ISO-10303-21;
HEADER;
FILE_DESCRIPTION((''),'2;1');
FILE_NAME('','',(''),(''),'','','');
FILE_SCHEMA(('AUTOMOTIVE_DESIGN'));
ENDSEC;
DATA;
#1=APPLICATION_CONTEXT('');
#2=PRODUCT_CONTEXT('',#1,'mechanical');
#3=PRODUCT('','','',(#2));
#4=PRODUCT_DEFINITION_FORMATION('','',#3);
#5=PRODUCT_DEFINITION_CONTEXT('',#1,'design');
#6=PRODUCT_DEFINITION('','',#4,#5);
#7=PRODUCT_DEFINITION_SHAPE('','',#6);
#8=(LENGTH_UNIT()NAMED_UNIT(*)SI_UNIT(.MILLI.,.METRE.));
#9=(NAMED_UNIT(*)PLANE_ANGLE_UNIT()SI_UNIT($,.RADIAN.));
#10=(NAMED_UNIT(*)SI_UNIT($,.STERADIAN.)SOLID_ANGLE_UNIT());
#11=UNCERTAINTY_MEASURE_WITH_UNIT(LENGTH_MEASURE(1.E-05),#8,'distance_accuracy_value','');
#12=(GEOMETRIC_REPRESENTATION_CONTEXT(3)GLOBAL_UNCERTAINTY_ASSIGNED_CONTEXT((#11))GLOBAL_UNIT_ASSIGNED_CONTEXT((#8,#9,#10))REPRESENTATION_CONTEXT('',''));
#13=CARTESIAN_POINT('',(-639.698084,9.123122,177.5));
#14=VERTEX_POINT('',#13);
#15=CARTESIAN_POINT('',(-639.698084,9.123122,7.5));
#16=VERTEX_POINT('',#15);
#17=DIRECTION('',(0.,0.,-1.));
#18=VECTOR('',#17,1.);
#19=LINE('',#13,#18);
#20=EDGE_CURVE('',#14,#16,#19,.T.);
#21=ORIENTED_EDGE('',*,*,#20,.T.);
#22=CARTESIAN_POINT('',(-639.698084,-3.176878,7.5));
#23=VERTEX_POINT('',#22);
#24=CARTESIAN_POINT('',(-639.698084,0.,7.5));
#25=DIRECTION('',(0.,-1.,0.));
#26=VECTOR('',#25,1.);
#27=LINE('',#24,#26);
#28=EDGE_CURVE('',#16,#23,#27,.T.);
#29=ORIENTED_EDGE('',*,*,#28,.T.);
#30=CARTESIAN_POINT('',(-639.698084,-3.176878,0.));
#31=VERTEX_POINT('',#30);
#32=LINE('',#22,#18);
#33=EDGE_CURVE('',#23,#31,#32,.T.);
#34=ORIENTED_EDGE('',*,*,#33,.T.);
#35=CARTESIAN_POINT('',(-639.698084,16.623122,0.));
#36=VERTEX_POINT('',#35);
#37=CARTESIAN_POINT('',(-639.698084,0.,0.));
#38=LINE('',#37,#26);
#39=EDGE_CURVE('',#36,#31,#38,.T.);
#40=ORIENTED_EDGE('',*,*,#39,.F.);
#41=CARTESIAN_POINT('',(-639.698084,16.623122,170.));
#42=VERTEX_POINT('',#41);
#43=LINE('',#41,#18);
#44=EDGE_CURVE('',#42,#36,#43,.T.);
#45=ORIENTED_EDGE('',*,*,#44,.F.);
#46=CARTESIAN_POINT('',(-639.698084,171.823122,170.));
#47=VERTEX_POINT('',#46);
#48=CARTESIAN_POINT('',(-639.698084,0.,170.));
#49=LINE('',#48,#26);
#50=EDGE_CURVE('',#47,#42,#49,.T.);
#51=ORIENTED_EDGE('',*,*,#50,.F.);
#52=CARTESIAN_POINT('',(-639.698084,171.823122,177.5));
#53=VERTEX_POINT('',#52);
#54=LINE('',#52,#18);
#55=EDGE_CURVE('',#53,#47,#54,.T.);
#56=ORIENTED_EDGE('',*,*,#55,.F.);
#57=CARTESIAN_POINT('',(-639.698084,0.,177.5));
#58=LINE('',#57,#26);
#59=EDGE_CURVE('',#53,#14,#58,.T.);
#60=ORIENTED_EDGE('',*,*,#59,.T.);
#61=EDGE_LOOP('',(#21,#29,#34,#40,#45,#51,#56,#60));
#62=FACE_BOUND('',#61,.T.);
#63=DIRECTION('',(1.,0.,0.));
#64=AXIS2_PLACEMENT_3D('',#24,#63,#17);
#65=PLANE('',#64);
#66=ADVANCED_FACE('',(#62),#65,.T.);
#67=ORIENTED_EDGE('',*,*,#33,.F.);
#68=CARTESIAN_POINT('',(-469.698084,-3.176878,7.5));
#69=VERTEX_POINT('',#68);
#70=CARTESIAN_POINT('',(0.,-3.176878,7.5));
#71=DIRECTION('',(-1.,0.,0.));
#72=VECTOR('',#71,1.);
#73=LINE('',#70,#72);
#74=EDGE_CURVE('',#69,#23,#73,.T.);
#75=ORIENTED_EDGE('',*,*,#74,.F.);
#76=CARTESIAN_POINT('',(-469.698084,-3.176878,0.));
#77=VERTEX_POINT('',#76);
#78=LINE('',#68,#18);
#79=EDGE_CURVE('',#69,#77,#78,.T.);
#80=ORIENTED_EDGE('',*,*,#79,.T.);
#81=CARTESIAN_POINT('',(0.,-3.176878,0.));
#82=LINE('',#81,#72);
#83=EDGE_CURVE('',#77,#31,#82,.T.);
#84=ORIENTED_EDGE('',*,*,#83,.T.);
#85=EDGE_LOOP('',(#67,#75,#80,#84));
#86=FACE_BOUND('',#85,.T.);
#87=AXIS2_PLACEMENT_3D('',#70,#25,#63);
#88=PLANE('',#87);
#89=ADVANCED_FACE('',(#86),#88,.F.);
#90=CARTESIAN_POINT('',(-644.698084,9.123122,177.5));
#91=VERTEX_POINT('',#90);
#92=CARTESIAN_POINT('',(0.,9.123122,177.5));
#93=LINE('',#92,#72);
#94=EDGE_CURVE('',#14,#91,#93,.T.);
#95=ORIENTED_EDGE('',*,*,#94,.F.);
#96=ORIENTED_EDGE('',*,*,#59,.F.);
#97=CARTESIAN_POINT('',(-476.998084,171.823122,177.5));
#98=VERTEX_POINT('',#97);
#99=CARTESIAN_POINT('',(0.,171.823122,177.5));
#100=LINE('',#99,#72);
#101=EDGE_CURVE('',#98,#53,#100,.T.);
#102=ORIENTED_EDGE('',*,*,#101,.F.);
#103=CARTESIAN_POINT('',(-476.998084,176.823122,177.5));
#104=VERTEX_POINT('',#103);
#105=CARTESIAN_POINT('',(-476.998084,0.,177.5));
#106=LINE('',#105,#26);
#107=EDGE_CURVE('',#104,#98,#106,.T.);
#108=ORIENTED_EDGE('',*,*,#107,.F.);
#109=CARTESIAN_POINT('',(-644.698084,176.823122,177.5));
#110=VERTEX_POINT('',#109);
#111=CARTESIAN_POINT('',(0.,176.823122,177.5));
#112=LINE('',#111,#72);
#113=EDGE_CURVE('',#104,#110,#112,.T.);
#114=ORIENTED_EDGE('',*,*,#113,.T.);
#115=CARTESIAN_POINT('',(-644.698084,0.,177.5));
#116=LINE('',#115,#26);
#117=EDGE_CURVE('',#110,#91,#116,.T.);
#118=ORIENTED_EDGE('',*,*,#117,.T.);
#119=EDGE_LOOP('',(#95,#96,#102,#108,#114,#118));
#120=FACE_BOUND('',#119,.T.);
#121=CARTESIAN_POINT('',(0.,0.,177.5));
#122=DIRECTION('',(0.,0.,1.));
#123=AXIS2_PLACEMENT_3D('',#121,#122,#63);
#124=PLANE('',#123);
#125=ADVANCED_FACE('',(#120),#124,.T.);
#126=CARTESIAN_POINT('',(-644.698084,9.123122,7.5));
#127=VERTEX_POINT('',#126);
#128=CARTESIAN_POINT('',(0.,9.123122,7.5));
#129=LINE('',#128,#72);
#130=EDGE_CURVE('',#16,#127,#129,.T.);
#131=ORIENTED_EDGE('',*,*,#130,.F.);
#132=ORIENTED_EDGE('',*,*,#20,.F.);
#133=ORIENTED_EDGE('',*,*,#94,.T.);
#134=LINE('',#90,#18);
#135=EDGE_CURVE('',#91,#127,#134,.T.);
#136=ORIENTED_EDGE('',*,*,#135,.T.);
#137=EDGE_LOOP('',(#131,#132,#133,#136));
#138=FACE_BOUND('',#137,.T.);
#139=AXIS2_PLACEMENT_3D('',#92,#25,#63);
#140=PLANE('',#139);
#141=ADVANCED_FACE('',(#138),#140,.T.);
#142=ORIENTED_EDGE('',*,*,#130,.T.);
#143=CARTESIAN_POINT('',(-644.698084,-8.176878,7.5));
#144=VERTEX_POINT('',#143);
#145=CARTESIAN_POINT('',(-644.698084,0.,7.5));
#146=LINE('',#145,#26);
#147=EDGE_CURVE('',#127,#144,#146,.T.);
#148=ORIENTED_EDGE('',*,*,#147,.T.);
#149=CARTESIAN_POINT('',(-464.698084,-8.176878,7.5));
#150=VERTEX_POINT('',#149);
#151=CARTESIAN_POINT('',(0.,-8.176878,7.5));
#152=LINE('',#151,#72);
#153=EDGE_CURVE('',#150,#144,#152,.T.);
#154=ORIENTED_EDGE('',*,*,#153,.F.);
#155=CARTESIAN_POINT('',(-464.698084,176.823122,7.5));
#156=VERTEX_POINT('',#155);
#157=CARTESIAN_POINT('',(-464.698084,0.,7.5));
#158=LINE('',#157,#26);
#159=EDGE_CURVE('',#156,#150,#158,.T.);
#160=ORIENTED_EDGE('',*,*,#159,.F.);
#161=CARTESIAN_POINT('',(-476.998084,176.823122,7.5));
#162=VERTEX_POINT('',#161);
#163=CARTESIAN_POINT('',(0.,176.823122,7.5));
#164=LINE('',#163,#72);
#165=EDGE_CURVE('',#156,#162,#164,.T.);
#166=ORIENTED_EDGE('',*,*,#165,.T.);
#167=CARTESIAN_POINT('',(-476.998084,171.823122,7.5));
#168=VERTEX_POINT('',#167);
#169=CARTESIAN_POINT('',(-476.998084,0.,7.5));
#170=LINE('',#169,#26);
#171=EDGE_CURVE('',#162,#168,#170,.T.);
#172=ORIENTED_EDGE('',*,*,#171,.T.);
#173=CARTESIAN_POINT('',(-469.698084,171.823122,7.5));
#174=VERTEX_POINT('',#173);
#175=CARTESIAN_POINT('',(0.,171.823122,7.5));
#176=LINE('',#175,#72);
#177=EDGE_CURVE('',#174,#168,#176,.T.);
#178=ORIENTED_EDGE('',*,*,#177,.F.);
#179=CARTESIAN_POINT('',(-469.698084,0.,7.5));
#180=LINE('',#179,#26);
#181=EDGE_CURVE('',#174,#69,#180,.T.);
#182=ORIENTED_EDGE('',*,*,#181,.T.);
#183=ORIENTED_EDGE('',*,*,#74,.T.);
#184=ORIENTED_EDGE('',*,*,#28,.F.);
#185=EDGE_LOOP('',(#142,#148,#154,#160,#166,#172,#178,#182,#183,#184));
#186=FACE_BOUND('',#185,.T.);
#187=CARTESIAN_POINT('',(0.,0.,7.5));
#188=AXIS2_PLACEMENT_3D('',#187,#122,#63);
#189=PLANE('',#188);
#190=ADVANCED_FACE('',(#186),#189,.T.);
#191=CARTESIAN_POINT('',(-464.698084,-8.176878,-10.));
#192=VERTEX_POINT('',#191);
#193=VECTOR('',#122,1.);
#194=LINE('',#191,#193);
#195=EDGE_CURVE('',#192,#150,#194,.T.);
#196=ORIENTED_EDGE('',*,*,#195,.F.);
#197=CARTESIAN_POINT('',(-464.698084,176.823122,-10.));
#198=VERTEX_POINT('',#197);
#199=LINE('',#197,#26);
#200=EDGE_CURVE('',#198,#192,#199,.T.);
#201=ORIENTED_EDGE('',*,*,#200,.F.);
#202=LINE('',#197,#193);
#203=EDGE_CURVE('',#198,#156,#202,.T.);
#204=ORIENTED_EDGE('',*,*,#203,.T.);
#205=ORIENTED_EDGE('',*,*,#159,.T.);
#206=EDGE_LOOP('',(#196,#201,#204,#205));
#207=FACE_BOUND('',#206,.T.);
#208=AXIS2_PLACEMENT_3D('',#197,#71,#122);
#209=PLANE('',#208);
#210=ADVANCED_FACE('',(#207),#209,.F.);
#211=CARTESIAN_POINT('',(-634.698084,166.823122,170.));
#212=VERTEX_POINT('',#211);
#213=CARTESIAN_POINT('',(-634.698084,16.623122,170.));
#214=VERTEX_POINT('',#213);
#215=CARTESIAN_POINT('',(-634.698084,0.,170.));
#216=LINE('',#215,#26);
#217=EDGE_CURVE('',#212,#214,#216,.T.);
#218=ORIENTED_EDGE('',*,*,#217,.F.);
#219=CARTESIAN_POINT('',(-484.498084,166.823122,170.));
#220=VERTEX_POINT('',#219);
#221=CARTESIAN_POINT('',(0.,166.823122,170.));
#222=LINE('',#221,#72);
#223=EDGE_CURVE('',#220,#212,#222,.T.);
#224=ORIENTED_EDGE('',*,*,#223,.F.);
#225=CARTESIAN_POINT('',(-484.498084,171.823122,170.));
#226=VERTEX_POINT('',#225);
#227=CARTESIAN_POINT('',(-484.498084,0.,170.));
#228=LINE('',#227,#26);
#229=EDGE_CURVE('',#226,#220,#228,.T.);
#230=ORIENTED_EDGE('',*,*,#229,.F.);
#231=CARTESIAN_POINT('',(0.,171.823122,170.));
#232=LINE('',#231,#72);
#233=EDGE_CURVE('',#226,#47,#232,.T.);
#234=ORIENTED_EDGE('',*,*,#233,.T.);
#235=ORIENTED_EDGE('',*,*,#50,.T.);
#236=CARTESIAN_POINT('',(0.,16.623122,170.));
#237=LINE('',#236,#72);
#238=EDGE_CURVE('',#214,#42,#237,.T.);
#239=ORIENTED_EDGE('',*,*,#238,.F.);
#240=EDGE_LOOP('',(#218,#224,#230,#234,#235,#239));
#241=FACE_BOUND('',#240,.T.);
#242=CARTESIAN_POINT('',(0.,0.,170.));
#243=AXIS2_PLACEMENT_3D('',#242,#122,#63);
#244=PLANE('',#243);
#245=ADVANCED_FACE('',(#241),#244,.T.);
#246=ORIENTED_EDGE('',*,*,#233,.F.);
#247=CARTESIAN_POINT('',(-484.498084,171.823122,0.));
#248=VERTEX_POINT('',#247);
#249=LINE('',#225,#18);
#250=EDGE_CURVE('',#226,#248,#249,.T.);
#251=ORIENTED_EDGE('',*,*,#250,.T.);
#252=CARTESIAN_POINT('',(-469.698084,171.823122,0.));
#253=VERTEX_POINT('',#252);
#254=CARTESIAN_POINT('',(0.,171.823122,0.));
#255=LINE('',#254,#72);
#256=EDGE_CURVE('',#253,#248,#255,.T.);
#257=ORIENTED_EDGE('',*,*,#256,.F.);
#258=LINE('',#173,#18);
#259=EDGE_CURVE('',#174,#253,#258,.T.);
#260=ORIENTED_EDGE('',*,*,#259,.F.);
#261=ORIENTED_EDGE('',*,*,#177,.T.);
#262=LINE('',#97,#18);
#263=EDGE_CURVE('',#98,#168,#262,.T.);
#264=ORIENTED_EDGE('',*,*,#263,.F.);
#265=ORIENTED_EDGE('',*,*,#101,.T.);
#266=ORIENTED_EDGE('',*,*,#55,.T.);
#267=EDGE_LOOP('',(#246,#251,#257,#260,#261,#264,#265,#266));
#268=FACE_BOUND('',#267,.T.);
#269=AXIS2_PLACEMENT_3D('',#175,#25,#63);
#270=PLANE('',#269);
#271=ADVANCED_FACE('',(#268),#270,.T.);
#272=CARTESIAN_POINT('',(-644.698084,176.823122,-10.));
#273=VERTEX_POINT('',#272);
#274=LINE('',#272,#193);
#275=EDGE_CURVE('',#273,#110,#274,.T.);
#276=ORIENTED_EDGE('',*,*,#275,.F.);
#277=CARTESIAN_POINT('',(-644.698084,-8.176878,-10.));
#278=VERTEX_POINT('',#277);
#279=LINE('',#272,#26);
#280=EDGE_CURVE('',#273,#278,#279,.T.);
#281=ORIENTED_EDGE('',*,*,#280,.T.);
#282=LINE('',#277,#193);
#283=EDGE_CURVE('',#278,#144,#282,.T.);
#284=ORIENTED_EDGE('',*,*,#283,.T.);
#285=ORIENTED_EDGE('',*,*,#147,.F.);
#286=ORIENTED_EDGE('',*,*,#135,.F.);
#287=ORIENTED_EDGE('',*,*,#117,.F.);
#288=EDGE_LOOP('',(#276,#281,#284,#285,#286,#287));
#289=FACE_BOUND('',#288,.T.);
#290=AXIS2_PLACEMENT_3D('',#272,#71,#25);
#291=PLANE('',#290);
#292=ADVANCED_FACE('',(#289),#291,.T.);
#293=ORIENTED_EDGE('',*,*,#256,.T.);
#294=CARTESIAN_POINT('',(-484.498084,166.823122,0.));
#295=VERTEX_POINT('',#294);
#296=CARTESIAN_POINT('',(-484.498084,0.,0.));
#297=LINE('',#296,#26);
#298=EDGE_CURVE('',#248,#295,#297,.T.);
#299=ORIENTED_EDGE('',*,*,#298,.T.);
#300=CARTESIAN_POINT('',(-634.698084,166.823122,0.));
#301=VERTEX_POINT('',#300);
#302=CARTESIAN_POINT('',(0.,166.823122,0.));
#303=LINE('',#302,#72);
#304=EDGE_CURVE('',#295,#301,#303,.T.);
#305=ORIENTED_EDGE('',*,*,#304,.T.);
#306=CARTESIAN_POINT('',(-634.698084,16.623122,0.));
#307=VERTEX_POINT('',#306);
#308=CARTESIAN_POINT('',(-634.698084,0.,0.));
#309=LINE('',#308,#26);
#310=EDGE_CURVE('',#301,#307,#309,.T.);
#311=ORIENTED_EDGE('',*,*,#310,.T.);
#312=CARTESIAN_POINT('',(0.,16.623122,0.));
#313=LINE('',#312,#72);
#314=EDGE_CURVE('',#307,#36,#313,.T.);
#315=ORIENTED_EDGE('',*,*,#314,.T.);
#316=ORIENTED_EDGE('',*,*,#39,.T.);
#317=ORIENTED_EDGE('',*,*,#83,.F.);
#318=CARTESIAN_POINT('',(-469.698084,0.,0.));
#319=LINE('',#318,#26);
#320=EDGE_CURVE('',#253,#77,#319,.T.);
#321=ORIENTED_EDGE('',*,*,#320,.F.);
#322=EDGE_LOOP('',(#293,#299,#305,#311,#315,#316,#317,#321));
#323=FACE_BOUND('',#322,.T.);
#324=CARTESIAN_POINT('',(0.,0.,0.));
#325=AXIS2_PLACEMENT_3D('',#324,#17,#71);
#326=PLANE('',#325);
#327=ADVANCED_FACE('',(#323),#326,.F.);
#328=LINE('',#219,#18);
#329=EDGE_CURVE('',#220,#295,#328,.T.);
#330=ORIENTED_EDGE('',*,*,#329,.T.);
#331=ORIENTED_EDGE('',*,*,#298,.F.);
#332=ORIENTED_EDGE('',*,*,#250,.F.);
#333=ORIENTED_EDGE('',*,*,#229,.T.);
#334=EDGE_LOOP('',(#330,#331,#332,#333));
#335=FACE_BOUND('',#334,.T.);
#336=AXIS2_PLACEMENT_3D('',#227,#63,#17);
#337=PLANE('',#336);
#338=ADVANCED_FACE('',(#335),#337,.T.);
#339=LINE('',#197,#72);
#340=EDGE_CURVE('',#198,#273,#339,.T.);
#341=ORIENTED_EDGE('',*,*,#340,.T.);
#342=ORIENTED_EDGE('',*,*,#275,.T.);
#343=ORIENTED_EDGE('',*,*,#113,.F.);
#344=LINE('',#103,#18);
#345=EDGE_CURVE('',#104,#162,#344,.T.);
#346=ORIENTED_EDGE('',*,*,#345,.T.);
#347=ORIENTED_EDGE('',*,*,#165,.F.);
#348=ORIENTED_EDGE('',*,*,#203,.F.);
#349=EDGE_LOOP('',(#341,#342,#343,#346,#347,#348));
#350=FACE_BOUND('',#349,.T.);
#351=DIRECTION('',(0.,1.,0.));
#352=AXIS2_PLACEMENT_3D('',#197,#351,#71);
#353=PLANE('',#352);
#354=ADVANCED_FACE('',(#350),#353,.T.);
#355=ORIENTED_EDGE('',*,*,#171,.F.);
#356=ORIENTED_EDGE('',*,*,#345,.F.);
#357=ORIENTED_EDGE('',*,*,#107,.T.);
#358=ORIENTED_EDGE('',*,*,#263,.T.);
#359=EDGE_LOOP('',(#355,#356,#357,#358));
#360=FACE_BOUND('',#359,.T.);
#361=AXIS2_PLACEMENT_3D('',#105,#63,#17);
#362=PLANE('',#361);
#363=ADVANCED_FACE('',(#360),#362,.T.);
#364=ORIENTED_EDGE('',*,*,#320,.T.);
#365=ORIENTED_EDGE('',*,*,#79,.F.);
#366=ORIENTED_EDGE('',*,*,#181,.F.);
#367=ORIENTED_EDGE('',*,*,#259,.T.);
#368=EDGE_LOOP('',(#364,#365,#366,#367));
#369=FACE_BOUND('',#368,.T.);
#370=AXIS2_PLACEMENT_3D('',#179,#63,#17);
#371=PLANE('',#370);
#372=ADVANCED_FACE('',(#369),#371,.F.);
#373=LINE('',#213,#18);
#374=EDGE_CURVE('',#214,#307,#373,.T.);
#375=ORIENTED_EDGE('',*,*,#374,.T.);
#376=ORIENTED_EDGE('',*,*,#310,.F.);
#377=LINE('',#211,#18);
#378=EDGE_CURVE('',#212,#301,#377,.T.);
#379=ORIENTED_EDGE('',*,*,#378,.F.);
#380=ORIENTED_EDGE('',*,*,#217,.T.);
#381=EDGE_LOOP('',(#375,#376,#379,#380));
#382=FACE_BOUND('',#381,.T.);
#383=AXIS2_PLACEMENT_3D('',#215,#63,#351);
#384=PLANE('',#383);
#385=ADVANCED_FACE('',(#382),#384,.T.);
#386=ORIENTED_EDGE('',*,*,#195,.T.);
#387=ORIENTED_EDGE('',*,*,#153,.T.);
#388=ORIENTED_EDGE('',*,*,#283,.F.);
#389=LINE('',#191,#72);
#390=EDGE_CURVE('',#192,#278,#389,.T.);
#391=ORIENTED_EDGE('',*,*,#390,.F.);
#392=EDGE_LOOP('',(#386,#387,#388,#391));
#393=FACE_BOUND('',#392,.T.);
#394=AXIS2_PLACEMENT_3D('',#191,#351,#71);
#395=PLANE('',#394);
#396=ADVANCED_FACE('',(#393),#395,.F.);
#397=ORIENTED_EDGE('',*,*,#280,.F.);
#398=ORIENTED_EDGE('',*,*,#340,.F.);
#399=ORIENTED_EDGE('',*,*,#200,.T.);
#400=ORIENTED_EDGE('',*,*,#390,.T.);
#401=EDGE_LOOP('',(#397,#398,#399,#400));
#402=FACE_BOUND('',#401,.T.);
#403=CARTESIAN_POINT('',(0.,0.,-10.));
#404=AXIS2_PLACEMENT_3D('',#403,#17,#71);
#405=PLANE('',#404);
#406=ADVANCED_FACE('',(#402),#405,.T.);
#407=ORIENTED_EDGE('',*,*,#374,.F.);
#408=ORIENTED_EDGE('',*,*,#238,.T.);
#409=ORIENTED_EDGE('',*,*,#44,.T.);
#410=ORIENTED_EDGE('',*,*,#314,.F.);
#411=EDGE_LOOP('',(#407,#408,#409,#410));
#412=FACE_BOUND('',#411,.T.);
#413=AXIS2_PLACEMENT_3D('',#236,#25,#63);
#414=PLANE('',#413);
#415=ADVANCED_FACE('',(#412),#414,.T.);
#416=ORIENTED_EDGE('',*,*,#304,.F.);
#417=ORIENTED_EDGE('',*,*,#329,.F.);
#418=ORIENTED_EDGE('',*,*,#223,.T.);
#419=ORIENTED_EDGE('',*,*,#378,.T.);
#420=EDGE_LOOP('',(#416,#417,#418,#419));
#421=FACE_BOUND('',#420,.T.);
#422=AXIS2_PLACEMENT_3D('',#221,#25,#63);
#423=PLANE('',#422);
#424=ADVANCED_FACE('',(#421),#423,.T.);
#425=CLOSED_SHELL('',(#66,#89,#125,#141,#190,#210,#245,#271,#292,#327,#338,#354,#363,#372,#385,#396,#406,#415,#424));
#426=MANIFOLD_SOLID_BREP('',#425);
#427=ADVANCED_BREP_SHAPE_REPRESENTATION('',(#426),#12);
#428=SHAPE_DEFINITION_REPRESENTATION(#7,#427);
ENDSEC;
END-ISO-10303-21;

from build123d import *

# Parameters (mm, degrees)
CROQUIS1_W              = 180
CROQUIS1_H              = 185
SALIENTE_EXTRUIR1_DEPTH = 10
SALIENTE_EXTRUIR2_DEPTH = 7.5
SALIENTE_EXTRUIR3_DEPTH = 170
SALIENTE_EXTRUIR4_DEPTH = 177.5


with BuildPart() as part:
    # Croquis1 → Saliente-Extruir1 (new body)
    with BuildSketch(Plane.XY):
        with Locations((-554.698083647, 84.323121588)):
            Rectangle(CROQUIS1_W, CROQUIS1_H)
    extrude(amount=-SALIENTE_EXTRUIR1_DEPTH)

    # Croquis1<3> → Saliente-Extruir2 (add)
    with BuildSketch(Plane.XY):
        Polygon((-464.698083647, 176.823121588), (-476.998083647, 176.823121588), (-476.998083647, 171.823121588), (-469.698083647, 171.823121588), (-469.698083647, -3.176878412), (-639.698083647, -3.176878412), (-639.698083647, 9.123121588), (-644.698083647, 9.123121588), (-644.698083647, -8.176878412), (-464.698083647, -8.176878412), align=None)
    extrude(amount=SALIENTE_EXTRUIR2_DEPTH)

    # Croquis1<5> → Saliente-Extruir3 (add)
    with BuildSketch(Plane.XY):
        Polygon((-484.498083647, 166.823121588), (-484.498083647, 171.823121588), (-639.698083647, 171.823121588), (-639.698083647, 16.623121588), (-634.698083647, 16.623121588), (-634.698083647, 166.823121588), align=None)
    extrude(amount=SALIENTE_EXTRUIR3_DEPTH)

    # Croquis1<6> → Saliente-Extruir4 (add)
    with BuildSketch(Plane.XY):
        Polygon((-476.998083647, 171.823121588), (-476.998083647, 176.823121588), (-644.698083647, 176.823121588), (-644.698083647, 9.123121588), (-639.698083647, 9.123121588), (-639.698083647, 16.623121588), (-639.698083647, 171.823121588), (-484.498083647, 171.823121588), align=None)
    extrude(amount=SALIENTE_EXTRUIR4_DEPTH)


solid = part.part
